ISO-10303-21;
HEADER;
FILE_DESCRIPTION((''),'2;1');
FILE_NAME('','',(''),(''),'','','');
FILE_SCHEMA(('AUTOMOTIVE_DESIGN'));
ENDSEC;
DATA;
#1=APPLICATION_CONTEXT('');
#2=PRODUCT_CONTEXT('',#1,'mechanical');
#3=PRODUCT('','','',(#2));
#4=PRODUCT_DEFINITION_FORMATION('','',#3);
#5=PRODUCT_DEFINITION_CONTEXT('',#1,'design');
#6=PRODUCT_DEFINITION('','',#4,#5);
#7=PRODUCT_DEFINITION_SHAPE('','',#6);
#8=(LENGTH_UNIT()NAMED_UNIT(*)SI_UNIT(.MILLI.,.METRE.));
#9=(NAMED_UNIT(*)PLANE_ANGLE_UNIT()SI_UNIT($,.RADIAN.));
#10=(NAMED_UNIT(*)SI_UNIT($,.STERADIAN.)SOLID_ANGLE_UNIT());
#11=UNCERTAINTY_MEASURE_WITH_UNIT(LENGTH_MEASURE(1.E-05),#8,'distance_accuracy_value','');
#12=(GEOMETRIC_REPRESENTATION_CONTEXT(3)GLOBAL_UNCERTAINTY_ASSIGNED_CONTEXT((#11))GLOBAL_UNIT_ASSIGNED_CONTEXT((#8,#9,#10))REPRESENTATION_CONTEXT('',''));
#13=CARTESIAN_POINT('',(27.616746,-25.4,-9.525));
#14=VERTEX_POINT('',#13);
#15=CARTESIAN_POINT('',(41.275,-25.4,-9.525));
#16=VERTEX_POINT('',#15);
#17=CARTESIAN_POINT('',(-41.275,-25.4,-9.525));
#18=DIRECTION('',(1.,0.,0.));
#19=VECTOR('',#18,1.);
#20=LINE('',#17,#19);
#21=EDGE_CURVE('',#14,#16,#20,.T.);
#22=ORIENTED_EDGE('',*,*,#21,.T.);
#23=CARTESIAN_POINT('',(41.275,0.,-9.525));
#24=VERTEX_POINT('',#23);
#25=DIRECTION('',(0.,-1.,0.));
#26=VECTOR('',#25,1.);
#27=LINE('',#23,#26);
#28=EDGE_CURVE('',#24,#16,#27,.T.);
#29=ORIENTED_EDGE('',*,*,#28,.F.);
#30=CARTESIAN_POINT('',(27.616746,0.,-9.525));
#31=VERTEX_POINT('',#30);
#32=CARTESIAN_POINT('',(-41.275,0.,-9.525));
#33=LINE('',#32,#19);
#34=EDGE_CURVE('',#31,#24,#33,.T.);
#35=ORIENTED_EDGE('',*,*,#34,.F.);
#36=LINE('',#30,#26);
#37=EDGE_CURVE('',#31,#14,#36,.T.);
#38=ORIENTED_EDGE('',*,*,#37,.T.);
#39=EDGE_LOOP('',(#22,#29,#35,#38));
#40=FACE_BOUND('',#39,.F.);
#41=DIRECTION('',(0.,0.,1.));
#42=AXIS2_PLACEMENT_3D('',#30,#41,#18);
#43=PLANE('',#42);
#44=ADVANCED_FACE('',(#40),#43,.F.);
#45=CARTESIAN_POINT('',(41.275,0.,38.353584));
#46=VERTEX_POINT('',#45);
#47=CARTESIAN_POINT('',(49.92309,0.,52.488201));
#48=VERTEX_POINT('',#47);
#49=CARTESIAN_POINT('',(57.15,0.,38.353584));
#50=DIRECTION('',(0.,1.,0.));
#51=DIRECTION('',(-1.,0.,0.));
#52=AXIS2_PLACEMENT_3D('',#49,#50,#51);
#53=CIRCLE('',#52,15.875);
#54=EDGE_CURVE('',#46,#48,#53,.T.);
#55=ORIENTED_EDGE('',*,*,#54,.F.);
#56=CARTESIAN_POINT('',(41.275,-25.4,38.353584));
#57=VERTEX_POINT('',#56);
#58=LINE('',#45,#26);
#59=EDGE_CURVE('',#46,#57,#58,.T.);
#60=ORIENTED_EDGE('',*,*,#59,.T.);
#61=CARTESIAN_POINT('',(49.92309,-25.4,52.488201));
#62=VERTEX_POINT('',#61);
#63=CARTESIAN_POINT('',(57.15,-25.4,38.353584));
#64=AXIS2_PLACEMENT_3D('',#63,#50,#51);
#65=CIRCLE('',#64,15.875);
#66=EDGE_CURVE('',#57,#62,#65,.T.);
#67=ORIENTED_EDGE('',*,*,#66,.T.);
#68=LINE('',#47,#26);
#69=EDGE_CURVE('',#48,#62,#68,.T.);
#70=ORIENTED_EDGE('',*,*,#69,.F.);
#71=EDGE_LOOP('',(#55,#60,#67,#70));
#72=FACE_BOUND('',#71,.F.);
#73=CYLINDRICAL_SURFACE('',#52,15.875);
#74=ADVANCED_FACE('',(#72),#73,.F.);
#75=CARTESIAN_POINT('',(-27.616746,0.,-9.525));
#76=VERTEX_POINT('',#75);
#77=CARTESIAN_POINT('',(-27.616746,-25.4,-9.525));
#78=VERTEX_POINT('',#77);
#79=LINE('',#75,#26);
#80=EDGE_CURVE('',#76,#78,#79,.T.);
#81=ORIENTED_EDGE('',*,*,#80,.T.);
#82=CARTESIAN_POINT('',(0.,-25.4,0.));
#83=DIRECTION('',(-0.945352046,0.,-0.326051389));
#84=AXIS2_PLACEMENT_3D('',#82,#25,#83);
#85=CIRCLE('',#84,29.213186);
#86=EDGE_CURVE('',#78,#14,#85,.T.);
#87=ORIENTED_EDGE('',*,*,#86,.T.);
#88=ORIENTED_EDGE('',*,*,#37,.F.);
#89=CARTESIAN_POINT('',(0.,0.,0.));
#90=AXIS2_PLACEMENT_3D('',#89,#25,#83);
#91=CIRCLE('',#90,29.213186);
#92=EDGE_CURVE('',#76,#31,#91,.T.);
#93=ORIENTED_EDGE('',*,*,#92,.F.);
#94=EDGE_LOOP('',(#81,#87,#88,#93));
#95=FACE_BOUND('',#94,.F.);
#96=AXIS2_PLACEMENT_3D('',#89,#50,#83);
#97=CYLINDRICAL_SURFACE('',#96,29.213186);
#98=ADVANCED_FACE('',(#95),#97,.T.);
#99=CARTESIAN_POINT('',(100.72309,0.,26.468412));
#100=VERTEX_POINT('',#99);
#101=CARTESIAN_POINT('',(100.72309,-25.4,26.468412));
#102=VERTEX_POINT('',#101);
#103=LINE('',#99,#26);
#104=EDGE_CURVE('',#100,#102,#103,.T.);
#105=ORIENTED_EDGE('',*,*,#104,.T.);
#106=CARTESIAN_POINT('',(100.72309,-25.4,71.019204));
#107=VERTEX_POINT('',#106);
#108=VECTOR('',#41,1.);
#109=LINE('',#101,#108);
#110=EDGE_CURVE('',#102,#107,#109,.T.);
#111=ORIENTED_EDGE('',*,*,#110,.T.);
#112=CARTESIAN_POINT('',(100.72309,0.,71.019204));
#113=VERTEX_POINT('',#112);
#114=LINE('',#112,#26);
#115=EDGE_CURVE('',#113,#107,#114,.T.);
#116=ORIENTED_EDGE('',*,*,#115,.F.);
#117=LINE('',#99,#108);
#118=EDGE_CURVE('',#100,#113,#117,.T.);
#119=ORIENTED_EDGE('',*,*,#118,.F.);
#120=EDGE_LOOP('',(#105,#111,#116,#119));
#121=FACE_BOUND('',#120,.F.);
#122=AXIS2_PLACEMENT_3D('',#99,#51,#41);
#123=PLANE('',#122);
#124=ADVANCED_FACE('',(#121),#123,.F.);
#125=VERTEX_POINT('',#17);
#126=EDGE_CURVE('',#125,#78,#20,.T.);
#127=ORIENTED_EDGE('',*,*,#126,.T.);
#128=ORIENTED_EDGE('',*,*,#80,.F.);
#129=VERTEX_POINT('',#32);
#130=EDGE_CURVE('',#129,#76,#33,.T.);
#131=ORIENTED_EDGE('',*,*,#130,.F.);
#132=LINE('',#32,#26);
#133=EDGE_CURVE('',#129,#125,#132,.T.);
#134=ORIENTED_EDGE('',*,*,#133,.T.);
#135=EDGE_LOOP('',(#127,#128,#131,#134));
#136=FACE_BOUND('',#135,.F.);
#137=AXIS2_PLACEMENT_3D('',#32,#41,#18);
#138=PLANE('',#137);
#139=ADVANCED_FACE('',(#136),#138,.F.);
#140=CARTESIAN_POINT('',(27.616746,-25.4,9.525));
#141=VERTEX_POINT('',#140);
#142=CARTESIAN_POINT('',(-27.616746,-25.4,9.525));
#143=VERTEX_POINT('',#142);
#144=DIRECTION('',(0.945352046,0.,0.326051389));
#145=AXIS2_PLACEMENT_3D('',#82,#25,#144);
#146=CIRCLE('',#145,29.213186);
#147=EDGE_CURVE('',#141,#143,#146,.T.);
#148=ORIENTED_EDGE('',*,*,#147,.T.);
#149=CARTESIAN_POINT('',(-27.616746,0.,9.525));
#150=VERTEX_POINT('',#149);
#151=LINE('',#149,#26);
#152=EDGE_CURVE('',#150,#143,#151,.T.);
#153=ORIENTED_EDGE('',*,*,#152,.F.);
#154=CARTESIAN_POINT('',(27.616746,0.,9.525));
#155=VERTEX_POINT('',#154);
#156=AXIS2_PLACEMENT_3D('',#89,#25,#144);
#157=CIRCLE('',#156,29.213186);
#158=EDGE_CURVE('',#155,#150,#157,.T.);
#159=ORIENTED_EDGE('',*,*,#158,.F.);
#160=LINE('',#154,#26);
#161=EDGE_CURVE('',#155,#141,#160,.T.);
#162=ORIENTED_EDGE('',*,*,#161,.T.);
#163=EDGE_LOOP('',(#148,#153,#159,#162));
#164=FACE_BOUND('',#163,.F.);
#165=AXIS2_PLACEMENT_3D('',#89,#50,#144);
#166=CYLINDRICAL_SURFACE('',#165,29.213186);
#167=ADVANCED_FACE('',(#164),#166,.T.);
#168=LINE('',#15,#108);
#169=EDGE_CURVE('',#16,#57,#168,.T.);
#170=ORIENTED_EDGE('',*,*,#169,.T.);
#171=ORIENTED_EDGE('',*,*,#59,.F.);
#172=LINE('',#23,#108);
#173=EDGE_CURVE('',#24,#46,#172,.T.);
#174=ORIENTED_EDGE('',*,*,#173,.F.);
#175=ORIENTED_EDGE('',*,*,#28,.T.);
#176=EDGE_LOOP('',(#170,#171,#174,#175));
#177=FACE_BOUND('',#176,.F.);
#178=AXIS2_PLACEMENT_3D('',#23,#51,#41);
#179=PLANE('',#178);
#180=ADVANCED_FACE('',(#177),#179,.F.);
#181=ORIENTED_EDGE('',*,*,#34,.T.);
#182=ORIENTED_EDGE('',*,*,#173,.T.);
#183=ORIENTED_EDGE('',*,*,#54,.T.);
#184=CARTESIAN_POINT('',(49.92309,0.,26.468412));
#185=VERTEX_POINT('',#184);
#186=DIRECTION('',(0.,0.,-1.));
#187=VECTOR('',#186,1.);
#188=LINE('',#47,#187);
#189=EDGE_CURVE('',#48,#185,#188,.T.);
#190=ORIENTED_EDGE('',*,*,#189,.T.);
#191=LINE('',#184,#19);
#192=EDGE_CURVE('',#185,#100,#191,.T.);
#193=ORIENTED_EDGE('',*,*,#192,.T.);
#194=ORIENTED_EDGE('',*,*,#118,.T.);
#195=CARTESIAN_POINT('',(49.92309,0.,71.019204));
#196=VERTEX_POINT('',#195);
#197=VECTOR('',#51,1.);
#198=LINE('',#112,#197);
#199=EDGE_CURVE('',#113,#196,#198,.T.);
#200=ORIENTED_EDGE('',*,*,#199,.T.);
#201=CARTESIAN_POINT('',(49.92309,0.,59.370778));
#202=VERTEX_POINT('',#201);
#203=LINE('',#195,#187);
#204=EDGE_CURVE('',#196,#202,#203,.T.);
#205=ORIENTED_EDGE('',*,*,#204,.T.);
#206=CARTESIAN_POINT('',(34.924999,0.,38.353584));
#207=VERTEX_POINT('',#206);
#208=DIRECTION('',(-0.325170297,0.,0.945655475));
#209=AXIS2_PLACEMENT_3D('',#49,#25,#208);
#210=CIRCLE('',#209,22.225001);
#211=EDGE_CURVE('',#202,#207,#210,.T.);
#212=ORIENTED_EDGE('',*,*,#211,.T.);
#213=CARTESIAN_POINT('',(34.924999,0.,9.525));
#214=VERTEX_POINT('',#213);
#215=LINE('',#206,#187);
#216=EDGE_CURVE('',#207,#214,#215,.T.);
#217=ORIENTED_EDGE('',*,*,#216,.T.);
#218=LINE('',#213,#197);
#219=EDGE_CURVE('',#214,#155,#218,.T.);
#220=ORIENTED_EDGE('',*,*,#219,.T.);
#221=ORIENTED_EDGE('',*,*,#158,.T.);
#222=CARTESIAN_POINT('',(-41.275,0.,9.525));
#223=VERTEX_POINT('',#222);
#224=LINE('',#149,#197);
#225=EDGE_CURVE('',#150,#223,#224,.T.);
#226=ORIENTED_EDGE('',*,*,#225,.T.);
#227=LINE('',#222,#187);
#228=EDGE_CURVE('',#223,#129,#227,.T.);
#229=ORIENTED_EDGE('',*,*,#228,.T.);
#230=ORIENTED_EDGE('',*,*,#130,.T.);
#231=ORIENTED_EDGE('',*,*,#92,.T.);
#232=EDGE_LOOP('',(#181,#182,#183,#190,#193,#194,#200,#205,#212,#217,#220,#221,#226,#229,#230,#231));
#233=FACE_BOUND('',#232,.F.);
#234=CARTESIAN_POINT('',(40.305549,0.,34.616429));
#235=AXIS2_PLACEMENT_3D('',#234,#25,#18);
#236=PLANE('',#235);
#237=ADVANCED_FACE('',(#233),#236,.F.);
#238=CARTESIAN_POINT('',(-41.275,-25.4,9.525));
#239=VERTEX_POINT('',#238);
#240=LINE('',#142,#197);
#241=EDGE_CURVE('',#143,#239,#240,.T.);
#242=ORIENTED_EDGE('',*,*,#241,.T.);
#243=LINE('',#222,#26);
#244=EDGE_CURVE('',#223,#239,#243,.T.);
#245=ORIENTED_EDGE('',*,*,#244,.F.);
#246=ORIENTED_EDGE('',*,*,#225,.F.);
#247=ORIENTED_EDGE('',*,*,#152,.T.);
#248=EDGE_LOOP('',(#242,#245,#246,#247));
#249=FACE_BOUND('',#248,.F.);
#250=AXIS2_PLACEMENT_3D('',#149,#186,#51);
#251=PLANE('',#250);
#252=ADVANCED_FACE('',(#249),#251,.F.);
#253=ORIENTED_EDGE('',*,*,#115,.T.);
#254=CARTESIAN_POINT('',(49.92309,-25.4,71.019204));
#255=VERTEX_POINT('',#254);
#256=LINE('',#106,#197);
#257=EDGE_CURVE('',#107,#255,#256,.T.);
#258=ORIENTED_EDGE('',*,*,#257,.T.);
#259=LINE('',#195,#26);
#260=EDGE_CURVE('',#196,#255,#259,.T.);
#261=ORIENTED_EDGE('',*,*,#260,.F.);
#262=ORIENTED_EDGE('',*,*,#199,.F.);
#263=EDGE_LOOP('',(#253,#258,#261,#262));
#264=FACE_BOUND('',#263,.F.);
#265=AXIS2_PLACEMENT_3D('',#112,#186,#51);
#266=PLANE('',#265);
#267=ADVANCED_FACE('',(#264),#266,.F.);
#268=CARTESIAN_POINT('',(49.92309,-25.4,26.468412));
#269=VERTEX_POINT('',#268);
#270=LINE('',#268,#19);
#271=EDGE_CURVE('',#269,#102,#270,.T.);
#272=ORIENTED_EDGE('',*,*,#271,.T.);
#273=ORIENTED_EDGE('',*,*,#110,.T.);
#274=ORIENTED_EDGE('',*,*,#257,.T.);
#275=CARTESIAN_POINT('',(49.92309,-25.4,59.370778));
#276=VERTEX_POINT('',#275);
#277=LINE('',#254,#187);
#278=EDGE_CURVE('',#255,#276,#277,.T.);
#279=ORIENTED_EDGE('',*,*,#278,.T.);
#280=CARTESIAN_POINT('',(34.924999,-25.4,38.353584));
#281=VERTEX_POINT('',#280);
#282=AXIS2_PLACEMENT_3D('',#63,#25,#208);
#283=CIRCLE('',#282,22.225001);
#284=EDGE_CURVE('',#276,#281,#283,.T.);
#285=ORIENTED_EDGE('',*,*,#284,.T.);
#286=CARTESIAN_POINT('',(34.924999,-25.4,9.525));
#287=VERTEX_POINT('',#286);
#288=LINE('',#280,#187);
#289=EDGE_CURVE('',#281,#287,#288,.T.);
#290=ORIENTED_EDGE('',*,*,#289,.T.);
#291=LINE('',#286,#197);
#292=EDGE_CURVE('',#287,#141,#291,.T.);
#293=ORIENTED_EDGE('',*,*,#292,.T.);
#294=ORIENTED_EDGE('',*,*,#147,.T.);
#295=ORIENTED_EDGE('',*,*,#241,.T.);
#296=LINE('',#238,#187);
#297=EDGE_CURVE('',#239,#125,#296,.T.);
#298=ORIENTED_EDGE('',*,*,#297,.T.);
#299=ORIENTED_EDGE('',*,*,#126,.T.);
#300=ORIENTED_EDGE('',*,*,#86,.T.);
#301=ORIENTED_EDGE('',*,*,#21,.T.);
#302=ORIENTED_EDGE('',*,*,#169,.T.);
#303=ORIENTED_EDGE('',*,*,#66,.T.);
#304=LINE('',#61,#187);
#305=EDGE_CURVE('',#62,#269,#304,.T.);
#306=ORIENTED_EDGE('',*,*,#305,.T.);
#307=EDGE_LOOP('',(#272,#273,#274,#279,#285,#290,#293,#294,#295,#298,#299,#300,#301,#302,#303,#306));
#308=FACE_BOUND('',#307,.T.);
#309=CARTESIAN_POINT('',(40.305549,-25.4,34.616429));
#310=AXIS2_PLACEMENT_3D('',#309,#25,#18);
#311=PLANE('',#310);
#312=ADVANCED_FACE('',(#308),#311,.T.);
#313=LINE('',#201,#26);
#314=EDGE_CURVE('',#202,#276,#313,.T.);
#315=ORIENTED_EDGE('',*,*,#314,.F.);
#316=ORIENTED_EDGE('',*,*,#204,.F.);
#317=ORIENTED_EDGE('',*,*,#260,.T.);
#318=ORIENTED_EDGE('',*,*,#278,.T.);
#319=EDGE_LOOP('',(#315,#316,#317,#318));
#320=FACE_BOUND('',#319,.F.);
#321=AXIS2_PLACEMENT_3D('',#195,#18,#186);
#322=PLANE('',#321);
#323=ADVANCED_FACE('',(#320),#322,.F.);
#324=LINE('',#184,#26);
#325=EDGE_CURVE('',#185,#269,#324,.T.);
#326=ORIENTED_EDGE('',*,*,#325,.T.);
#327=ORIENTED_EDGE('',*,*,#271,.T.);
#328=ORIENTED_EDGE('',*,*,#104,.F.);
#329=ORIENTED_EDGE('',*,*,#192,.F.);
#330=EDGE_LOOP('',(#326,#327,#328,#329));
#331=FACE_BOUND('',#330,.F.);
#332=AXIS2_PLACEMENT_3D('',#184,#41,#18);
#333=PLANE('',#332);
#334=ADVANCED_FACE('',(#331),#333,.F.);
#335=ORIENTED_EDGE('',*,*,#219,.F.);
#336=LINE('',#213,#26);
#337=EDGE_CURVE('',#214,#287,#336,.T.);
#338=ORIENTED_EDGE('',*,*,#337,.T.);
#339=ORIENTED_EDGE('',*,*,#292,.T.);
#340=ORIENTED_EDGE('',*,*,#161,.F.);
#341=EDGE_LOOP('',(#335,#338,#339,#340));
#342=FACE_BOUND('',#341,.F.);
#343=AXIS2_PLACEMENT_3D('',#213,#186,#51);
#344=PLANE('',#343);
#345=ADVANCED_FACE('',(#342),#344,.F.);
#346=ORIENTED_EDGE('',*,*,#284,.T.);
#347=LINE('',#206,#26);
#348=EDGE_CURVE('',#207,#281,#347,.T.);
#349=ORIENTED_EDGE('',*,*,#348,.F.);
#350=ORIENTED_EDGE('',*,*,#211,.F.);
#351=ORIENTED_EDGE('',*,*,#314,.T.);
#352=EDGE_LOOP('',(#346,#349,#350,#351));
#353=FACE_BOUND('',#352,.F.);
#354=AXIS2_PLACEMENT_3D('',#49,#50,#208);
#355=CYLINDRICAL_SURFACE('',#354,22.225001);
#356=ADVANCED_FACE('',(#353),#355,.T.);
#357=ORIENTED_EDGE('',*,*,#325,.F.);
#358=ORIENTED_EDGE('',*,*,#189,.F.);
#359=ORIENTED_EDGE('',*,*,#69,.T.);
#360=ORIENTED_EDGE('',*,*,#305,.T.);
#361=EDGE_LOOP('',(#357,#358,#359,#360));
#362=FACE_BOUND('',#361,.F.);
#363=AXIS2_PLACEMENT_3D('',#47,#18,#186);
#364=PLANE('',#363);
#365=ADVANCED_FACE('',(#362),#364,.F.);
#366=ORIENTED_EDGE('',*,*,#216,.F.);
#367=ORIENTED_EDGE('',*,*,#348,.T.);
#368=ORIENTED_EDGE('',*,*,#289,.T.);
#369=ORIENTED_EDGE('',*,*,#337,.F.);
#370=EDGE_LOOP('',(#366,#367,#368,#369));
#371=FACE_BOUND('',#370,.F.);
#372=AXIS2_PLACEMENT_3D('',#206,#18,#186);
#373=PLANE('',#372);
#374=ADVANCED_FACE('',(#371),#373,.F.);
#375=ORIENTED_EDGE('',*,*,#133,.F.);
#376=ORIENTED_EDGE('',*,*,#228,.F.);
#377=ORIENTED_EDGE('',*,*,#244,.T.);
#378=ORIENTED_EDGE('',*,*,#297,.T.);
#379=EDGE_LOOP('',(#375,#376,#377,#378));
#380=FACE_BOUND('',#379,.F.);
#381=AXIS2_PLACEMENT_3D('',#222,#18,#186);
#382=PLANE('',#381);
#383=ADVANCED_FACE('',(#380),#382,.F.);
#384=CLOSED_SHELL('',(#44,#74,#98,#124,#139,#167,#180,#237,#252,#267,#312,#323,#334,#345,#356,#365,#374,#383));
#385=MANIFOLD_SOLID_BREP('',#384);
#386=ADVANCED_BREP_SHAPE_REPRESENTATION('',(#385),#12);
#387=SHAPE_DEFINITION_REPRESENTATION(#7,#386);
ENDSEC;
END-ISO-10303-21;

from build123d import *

# Parameters (mm, degrees)
F1_DEPTH = 25.4
F2_DEPTH = 25.4
F3_DEPTH = 25.4
F4_DEPTH = 25.4


with BuildPart() as f1:
    # F0 (on Front) → F1 (new body)
    with BuildSketch(Plane.XZ):
        with BuildLine():
            Line((34.9249988794, 38.3535841248), (34.9249988794, 9.525))
            Line((34.9249988794, 9.525), (41.275, 9.525))
            Line((41.275, 9.525), (41.275, 38.3535841248))
            ThreePointArc((41.275, 38.3535841248), (43.6085299046, 46.6387644279), (49.9230897833, 52.4882009827))
            Line((49.9230897833, 52.4882009827), (49.9230897833, 59.3707781223))
            ThreePointArc((49.9230897833, 59.3707781223), (39.0589972297, 51.2635141623), (34.9249988794, 38.3535841248))
        make_face()
        with BuildLine():
            Line((41.275, 9.525), (34.9249988794, 9.525))
            Line((34.9249988794, 9.525), (27.6167455206, 9.525))
            ThreePointArc((27.6167455206, 9.525), (28.811311946, 4.8289297054), (29.2131863745, 0))
            ThreePointArc((29.2131863745, 0), (28.811311946, -4.8289297054), (27.6167455206, -9.525))
            Line((27.6167455206, -9.525), (41.275, -9.525))
            Line((41.275, -9.525), (41.275, 9.525))
        make_face()
        with BuildLine():
            ThreePointArc((29.2131863745, 0), (28.811311946, 4.8289297054), (27.6167455206, 9.525))
            Line((27.6167455206, 9.525), (-27.6167455206, 9.525))
            ThreePointArc((-27.6167455206, 9.525), (-29.2131863745, 0), (-27.6167455206, -9.525))
            Line((-27.6167455206, -9.525), (27.6167455206, -9.525))
            ThreePointArc((27.6167455206, -9.525), (28.811311946, -4.8289297054), (29.2131863745, 0))
        make_face()
        with BuildLine():
            Line((-27.6167455206, 9.525), (27.6167455206, 9.525))
            ThreePointArc((27.6167455206, 9.525), (0, 29.2131863745), (-27.6167455206, 9.525))
        make_face()
        with BuildLine():
            ThreePointArc((-27.6167455206, -9.525), (-29.2131863745, 0), (-27.6167455206, 9.525))
            Line((-27.6167455206, 9.525), (-41.275, 9.525))
            Line((-41.275, 9.525), (-41.275, -9.525))
            Line((-41.275, -9.525), (-27.6167455206, -9.525))
        make_face()
        Polygon((49.9230897833, 71.0192042329), (49.9230897833, 59.3707781223), (49.9230897833, 52.4882009827), (49.9230897833, 26.4684122215), (100.7230897833, 26.4684122215), (100.7230897833, 71.0192042329), align=None)
        with BuildLine():
            ThreePointArc((-27.6167455206, -9.525), (0, -29.2131863745), (27.6167455206, -9.525))
            Line((27.6167455206, -9.525), (-27.6167455206, -9.525))
        make_face()
    extrude(amount=F1_DEPTH)

    # F0 (on Front) → F2 (join)
    with BuildSketch(Plane.XZ):
        with BuildLine():
            Line((34.9249988794, 38.3535841248), (34.9249988794, 9.525))
            Line((34.9249988794, 9.525), (41.275, 9.525))
            Line((41.275, 9.525), (41.275, 38.3535841248))
            ThreePointArc((41.275, 38.3535841248), (43.6085299046, 46.6387644279), (49.9230897833, 52.4882009827))
            Line((49.9230897833, 52.4882009827), (49.9230897833, 59.3707781223))
            ThreePointArc((49.9230897833, 59.3707781223), (39.0589972297, 51.2635141623), (34.9249988794, 38.3535841248))
        make_face()
        with BuildLine():
            Line((41.275, 9.525), (34.9249988794, 9.525))
            Line((34.9249988794, 9.525), (27.6167455206, 9.525))
            ThreePointArc((27.6167455206, 9.525), (28.811311946, 4.8289297054), (29.2131863745, 0))
            ThreePointArc((29.2131863745, 0), (28.811311946, -4.8289297054), (27.6167455206, -9.525))
            Line((27.6167455206, -9.525), (41.275, -9.525))
            Line((41.275, -9.525), (41.275, 9.525))
        make_face()
        with BuildLine():
            ThreePointArc((29.2131863745, 0), (28.811311946, 4.8289297054), (27.6167455206, 9.525))
            Line((27.6167455206, 9.525), (-27.6167455206, 9.525))
            ThreePointArc((-27.6167455206, 9.525), (-29.2131863745, 0), (-27.6167455206, -9.525))
            Line((-27.6167455206, -9.525), (27.6167455206, -9.525))
            ThreePointArc((27.6167455206, -9.525), (28.811311946, -4.8289297054), (29.2131863745, 0))
        make_face()
        with BuildLine():
            Line((-27.6167455206, 9.525), (27.6167455206, 9.525))
            ThreePointArc((27.6167455206, 9.525), (0, 29.2131863745), (-27.6167455206, 9.525))
        make_face()
        with BuildLine():
            ThreePointArc((-27.6167455206, -9.525), (-29.2131863745, 0), (-27.6167455206, 9.525))
            Line((-27.6167455206, 9.525), (-41.275, 9.525))
            Line((-41.275, 9.525), (-41.275, -9.525))
            Line((-41.275, -9.525), (-27.6167455206, -9.525))
        make_face()
        Polygon((49.9230897833, 71.0192042329), (49.9230897833, 59.3707781223), (49.9230897833, 52.4882009827), (49.9230897833, 26.4684122215), (100.7230897833, 26.4684122215), (100.7230897833, 71.0192042329), align=None)
        with BuildLine():
            ThreePointArc((-27.6167455206, -9.525), (0, -29.2131863745), (27.6167455206, -9.525))
            Line((27.6167455206, -9.525), (-27.6167455206, -9.525))
        make_face()
    extrude(amount=F2_DEPTH)

    # F0 (on Front) → F3 (join)
    with BuildSketch(Plane.XZ):
        with BuildLine():
            Line((34.9249988794, 38.3535841248), (34.9249988794, 9.525))
            Line((34.9249988794, 9.525), (41.275, 9.525))
            Line((41.275, 9.525), (41.275, 38.3535841248))
            ThreePointArc((41.275, 38.3535841248), (43.6085299046, 46.6387644279), (49.9230897833, 52.4882009827))
            Line((49.9230897833, 52.4882009827), (49.9230897833, 59.3707781223))
            ThreePointArc((49.9230897833, 59.3707781223), (39.0589972297, 51.2635141623), (34.9249988794, 38.3535841248))
        make_face()
        with BuildLine():
            Line((41.275, 9.525), (34.9249988794, 9.525))
            Line((34.9249988794, 9.525), (27.6167455206, 9.525))
            ThreePointArc((27.6167455206, 9.525), (28.811311946, 4.8289297054), (29.2131863745, 0))
            ThreePointArc((29.2131863745, 0), (28.811311946, -4.8289297054), (27.6167455206, -9.525))
            Line((27.6167455206, -9.525), (41.275, -9.525))
            Line((41.275, -9.525), (41.275, 9.525))
        make_face()
        with BuildLine():
            ThreePointArc((29.2131863745, 0), (28.811311946, 4.8289297054), (27.6167455206, 9.525))
            Line((27.6167455206, 9.525), (-27.6167455206, 9.525))
            ThreePointArc((-27.6167455206, 9.525), (-29.2131863745, 0), (-27.6167455206, -9.525))
            Line((-27.6167455206, -9.525), (27.6167455206, -9.525))
            ThreePointArc((27.6167455206, -9.525), (28.811311946, -4.8289297054), (29.2131863745, 0))
        make_face()
        with BuildLine():
            Line((-27.6167455206, 9.525), (27.6167455206, 9.525))
            ThreePointArc((27.6167455206, 9.525), (0, 29.2131863745), (-27.6167455206, 9.525))
        make_face()
        with BuildLine():
            ThreePointArc((-27.6167455206, -9.525), (-29.2131863745, 0), (-27.6167455206, 9.525))
            Line((-27.6167455206, 9.525), (-41.275, 9.525))
            Line((-41.275, 9.525), (-41.275, -9.525))
            Line((-41.275, -9.525), (-27.6167455206, -9.525))
        make_face()
        Polygon((49.9230897833, 71.0192042329), (49.9230897833, 59.3707781223), (49.9230897833, 52.4882009827), (49.9230897833, 26.4684122215), (100.7230897833, 26.4684122215), (100.7230897833, 71.0192042329), align=None)
        with BuildLine():
            ThreePointArc((-27.6167455206, -9.525), (0, -29.2131863745), (27.6167455206, -9.525))
            Line((27.6167455206, -9.525), (-27.6167455206, -9.525))
        make_face()
    extrude(amount=F3_DEPTH)

    # F0 (on Front) → F4 (join)
    with BuildSketch(Plane.XZ):
        with BuildLine():
            Line((34.9249988794, 38.3535841248), (34.9249988794, 9.525))
            Line((34.9249988794, 9.525), (41.275, 9.525))
            Line((41.275, 9.525), (41.275, 38.3535841248))
            ThreePointArc((41.275, 38.3535841248), (43.6085299046, 46.6387644279), (49.9230897833, 52.4882009827))
            Line((49.9230897833, 52.4882009827), (49.9230897833, 59.3707781223))
            ThreePointArc((49.9230897833, 59.3707781223), (39.0589972297, 51.2635141623), (34.9249988794, 38.3535841248))
        make_face()
        with BuildLine():
            Line((41.275, 9.525), (34.9249988794, 9.525))
            Line((34.9249988794, 9.525), (27.6167455206, 9.525))
            ThreePointArc((27.6167455206, 9.525), (28.811311946, 4.8289297054), (29.2131863745, 0))
            ThreePointArc((29.2131863745, 0), (28.811311946, -4.8289297054), (27.6167455206, -9.525))
            Line((27.6167455206, -9.525), (41.275, -9.525))
            Line((41.275, -9.525), (41.275, 9.525))
        make_face()
        with BuildLine():
            ThreePointArc((29.2131863745, 0), (28.811311946, 4.8289297054), (27.6167455206, 9.525))
            Line((27.6167455206, 9.525), (-27.6167455206, 9.525))
            ThreePointArc((-27.6167455206, 9.525), (-29.2131863745, 0), (-27.6167455206, -9.525))
            Line((-27.6167455206, -9.525), (27.6167455206, -9.525))
            ThreePointArc((27.6167455206, -9.525), (28.811311946, -4.8289297054), (29.2131863745, 0))
        make_face()
        with BuildLine():
            Line((-27.6167455206, 9.525), (27.6167455206, 9.525))
            ThreePointArc((27.6167455206, 9.525), (0, 29.2131863745), (-27.6167455206, 9.525))
        make_face()
        with BuildLine():
            ThreePointArc((-27.6167455206, -9.525), (-29.2131863745, 0), (-27.6167455206, 9.525))
            Line((-27.6167455206, 9.525), (-41.275, 9.525))
            Line((-41.275, 9.525), (-41.275, -9.525))
            Line((-41.275, -9.525), (-27.6167455206, -9.525))
        make_face()
        Polygon((49.9230897833, 71.0192042329), (49.9230897833, 59.3707781223), (49.9230897833, 52.4882009827), (49.9230897833, 26.4684122215), (100.7230897833, 26.4684122215), (100.7230897833, 71.0192042329), align=None)
        with BuildLine():
            ThreePointArc((-27.6167455206, -9.525), (0, -29.2131863745), (27.6167455206, -9.525))
            Line((27.6167455206, -9.525), (-27.6167455206, -9.525))
        make_face()
    extrude(amount=F4_DEPTH)


solid = f1.part
